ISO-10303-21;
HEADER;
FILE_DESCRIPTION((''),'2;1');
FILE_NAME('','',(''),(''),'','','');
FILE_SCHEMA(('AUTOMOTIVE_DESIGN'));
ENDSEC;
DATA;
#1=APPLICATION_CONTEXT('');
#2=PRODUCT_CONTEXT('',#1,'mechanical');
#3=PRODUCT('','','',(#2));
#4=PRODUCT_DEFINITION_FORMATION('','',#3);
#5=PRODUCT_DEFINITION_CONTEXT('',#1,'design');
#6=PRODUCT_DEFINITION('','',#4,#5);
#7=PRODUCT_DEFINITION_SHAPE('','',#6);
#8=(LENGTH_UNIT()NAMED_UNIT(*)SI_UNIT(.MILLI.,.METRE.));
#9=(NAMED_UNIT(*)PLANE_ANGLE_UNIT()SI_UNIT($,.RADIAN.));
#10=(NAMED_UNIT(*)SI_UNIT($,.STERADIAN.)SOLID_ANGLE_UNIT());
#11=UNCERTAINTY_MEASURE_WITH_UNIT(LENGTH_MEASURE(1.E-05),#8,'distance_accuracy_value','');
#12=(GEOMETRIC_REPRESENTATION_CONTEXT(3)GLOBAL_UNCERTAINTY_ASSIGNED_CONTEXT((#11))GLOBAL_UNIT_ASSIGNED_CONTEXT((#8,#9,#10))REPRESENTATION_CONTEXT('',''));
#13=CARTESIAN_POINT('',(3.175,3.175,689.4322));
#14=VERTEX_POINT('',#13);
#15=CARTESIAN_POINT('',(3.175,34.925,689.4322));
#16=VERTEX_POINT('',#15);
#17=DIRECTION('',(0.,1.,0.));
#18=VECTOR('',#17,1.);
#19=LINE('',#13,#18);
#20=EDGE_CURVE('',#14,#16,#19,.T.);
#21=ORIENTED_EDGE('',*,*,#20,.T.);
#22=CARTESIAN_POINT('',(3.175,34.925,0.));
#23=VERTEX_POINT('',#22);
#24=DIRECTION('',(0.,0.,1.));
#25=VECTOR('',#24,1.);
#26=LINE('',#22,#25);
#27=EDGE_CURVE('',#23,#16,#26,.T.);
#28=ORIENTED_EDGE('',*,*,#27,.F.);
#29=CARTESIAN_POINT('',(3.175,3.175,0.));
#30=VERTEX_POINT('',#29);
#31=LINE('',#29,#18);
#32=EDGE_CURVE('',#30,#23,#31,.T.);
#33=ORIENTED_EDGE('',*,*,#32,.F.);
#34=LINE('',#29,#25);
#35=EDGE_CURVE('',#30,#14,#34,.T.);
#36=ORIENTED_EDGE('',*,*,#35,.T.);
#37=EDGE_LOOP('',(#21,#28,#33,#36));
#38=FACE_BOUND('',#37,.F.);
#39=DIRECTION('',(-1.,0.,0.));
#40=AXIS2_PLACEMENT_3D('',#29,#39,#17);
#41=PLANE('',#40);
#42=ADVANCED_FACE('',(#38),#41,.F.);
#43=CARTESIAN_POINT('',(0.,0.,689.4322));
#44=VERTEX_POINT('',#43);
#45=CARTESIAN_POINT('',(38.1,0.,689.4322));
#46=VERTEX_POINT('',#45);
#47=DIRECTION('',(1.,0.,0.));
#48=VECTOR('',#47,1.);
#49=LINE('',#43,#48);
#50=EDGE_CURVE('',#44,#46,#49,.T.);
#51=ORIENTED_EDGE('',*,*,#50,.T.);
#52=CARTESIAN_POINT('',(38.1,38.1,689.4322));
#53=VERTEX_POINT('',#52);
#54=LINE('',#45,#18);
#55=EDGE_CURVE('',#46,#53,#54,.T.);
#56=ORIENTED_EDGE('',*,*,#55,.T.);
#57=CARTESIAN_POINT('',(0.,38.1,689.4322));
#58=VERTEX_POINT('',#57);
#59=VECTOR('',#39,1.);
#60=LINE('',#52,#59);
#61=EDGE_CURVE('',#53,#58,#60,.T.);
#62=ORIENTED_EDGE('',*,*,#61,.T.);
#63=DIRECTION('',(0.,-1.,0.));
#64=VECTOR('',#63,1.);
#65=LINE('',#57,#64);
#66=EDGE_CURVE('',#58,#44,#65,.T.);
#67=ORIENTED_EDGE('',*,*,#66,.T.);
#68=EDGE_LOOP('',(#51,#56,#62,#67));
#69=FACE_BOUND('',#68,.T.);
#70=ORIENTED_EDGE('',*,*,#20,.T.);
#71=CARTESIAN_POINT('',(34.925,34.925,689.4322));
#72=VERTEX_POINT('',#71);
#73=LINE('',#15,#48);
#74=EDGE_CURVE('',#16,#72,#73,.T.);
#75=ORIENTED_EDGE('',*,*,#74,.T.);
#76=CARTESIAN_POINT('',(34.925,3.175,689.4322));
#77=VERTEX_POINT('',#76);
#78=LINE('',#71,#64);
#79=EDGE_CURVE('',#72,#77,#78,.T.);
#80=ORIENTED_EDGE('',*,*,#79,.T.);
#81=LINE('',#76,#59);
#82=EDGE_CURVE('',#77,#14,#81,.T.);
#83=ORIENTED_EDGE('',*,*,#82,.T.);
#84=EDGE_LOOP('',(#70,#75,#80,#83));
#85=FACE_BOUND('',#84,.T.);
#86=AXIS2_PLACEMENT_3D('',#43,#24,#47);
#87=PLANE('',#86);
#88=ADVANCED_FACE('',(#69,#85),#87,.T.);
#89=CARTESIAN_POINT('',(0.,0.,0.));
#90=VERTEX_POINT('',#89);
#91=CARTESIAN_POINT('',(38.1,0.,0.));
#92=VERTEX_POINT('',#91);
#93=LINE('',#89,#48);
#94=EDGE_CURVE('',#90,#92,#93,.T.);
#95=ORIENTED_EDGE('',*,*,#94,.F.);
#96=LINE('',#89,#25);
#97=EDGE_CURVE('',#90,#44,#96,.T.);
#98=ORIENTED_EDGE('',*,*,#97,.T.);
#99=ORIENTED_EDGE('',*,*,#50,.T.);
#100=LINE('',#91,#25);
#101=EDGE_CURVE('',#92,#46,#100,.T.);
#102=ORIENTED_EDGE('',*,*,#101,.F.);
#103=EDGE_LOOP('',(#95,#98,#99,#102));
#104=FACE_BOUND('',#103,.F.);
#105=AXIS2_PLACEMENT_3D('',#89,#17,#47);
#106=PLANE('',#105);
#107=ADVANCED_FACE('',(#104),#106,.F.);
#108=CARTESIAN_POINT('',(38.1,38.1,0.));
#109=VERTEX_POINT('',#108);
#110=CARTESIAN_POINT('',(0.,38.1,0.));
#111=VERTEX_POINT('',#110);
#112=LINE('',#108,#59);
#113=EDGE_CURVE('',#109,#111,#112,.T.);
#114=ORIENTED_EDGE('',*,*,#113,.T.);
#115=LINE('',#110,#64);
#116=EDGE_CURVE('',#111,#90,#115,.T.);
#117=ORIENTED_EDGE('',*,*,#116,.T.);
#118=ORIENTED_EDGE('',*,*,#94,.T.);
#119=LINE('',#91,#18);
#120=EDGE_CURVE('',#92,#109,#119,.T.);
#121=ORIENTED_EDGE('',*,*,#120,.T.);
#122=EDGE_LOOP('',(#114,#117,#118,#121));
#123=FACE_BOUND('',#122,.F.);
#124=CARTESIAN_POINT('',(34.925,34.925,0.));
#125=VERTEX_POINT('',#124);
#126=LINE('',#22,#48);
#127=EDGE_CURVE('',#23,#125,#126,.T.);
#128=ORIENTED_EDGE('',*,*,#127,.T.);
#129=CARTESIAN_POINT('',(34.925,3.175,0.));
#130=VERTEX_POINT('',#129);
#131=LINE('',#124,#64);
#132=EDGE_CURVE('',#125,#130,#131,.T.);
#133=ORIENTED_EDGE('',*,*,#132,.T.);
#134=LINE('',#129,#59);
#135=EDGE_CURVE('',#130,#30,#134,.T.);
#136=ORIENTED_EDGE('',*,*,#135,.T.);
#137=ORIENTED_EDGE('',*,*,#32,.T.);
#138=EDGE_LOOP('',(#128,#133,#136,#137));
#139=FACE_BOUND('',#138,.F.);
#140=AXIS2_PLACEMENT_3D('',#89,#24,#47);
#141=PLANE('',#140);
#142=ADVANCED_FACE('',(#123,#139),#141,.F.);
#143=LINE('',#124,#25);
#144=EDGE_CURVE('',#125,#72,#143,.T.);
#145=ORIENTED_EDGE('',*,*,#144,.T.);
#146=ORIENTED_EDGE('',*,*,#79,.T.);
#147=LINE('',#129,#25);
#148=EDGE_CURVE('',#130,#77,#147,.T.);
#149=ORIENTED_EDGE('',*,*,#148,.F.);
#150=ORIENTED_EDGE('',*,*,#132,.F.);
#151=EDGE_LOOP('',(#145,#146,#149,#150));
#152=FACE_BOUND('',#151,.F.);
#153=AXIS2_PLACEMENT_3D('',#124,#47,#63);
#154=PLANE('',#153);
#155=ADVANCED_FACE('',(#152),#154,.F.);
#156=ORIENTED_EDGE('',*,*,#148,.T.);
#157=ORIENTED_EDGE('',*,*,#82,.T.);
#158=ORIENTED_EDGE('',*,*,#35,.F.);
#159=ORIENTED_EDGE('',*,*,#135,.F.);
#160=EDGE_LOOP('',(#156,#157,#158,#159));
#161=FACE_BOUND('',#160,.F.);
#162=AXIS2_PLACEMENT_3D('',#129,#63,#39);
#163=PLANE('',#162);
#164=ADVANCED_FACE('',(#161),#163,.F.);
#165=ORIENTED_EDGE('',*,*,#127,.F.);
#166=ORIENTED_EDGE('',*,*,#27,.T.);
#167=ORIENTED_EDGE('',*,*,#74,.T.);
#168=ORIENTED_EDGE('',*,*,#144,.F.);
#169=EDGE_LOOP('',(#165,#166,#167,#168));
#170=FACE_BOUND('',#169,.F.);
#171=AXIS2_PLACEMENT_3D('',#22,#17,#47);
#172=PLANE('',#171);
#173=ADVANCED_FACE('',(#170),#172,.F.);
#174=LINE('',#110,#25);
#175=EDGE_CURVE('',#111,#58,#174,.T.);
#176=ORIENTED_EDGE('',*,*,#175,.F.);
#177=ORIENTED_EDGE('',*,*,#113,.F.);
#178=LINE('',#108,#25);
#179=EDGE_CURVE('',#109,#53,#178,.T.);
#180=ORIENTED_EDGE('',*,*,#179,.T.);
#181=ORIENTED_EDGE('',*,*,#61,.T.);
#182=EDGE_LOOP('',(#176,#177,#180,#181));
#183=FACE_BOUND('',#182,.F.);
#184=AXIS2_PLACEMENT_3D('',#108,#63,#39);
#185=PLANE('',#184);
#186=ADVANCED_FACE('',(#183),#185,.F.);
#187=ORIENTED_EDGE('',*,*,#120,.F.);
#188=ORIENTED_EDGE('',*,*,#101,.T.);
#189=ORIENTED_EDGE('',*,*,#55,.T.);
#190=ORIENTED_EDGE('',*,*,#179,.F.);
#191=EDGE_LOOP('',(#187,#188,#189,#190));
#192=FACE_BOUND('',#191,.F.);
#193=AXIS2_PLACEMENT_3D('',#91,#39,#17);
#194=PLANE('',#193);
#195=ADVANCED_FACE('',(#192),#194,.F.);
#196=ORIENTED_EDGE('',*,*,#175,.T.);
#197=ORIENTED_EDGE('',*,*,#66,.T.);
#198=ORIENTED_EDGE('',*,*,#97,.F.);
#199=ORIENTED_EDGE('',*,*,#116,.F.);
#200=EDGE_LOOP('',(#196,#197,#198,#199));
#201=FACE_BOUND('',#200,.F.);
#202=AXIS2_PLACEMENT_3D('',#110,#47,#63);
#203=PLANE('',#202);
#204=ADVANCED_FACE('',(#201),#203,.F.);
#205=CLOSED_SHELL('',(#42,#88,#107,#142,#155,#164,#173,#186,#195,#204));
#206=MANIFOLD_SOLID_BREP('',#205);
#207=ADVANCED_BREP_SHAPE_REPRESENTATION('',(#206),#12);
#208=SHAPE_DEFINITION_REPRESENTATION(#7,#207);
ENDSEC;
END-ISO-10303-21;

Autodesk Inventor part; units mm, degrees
ref_plane "YZ Plane" through (0, 0, 0) normal (1, 0, 0) x (0, 1, 0)
ref_plane "XZ Plane" through (0, 0, 0) normal (0, 1, 0) x (-1, 0, 0)
ref_plane "XY Plane" through (0, 0, 0) normal (0, 0, 1) x (1, 0, 0)
sketch "Sketch1" plane through (0, 0, 0) normal (0, 0, 1) x (1, 0, 0)
  line L0 (0, 0) -> (38.1, 0)
  line L1 (38.1, 0) -> (38.1, 38.1)
  line L2 (38.1, 38.1) -> (0, 38.1)
  line L3 (0, 38.1) -> (0, 0)
  line L4 (3.175, 34.925) -> (34.925, 34.925)
  line L5 (34.925, 34.925) -> (34.925, 3.175)
  line L6 (34.925, 3.175) -> (3.175, 3.175)
  line L7 (3.175, 3.175) -> (3.175, 34.925)
  dimension "d0" = 38.1
  dimension "d1" = 38.1
  dimension "d2" = 3.175
extrude "Extrusion1" add sketch "Sketch1" along normal blind 689.4322
equation "\"d0\" = d1"
properties part number "testRoboRescue_Chassis_Frame_widthBar" material "Aluminum 6061"
